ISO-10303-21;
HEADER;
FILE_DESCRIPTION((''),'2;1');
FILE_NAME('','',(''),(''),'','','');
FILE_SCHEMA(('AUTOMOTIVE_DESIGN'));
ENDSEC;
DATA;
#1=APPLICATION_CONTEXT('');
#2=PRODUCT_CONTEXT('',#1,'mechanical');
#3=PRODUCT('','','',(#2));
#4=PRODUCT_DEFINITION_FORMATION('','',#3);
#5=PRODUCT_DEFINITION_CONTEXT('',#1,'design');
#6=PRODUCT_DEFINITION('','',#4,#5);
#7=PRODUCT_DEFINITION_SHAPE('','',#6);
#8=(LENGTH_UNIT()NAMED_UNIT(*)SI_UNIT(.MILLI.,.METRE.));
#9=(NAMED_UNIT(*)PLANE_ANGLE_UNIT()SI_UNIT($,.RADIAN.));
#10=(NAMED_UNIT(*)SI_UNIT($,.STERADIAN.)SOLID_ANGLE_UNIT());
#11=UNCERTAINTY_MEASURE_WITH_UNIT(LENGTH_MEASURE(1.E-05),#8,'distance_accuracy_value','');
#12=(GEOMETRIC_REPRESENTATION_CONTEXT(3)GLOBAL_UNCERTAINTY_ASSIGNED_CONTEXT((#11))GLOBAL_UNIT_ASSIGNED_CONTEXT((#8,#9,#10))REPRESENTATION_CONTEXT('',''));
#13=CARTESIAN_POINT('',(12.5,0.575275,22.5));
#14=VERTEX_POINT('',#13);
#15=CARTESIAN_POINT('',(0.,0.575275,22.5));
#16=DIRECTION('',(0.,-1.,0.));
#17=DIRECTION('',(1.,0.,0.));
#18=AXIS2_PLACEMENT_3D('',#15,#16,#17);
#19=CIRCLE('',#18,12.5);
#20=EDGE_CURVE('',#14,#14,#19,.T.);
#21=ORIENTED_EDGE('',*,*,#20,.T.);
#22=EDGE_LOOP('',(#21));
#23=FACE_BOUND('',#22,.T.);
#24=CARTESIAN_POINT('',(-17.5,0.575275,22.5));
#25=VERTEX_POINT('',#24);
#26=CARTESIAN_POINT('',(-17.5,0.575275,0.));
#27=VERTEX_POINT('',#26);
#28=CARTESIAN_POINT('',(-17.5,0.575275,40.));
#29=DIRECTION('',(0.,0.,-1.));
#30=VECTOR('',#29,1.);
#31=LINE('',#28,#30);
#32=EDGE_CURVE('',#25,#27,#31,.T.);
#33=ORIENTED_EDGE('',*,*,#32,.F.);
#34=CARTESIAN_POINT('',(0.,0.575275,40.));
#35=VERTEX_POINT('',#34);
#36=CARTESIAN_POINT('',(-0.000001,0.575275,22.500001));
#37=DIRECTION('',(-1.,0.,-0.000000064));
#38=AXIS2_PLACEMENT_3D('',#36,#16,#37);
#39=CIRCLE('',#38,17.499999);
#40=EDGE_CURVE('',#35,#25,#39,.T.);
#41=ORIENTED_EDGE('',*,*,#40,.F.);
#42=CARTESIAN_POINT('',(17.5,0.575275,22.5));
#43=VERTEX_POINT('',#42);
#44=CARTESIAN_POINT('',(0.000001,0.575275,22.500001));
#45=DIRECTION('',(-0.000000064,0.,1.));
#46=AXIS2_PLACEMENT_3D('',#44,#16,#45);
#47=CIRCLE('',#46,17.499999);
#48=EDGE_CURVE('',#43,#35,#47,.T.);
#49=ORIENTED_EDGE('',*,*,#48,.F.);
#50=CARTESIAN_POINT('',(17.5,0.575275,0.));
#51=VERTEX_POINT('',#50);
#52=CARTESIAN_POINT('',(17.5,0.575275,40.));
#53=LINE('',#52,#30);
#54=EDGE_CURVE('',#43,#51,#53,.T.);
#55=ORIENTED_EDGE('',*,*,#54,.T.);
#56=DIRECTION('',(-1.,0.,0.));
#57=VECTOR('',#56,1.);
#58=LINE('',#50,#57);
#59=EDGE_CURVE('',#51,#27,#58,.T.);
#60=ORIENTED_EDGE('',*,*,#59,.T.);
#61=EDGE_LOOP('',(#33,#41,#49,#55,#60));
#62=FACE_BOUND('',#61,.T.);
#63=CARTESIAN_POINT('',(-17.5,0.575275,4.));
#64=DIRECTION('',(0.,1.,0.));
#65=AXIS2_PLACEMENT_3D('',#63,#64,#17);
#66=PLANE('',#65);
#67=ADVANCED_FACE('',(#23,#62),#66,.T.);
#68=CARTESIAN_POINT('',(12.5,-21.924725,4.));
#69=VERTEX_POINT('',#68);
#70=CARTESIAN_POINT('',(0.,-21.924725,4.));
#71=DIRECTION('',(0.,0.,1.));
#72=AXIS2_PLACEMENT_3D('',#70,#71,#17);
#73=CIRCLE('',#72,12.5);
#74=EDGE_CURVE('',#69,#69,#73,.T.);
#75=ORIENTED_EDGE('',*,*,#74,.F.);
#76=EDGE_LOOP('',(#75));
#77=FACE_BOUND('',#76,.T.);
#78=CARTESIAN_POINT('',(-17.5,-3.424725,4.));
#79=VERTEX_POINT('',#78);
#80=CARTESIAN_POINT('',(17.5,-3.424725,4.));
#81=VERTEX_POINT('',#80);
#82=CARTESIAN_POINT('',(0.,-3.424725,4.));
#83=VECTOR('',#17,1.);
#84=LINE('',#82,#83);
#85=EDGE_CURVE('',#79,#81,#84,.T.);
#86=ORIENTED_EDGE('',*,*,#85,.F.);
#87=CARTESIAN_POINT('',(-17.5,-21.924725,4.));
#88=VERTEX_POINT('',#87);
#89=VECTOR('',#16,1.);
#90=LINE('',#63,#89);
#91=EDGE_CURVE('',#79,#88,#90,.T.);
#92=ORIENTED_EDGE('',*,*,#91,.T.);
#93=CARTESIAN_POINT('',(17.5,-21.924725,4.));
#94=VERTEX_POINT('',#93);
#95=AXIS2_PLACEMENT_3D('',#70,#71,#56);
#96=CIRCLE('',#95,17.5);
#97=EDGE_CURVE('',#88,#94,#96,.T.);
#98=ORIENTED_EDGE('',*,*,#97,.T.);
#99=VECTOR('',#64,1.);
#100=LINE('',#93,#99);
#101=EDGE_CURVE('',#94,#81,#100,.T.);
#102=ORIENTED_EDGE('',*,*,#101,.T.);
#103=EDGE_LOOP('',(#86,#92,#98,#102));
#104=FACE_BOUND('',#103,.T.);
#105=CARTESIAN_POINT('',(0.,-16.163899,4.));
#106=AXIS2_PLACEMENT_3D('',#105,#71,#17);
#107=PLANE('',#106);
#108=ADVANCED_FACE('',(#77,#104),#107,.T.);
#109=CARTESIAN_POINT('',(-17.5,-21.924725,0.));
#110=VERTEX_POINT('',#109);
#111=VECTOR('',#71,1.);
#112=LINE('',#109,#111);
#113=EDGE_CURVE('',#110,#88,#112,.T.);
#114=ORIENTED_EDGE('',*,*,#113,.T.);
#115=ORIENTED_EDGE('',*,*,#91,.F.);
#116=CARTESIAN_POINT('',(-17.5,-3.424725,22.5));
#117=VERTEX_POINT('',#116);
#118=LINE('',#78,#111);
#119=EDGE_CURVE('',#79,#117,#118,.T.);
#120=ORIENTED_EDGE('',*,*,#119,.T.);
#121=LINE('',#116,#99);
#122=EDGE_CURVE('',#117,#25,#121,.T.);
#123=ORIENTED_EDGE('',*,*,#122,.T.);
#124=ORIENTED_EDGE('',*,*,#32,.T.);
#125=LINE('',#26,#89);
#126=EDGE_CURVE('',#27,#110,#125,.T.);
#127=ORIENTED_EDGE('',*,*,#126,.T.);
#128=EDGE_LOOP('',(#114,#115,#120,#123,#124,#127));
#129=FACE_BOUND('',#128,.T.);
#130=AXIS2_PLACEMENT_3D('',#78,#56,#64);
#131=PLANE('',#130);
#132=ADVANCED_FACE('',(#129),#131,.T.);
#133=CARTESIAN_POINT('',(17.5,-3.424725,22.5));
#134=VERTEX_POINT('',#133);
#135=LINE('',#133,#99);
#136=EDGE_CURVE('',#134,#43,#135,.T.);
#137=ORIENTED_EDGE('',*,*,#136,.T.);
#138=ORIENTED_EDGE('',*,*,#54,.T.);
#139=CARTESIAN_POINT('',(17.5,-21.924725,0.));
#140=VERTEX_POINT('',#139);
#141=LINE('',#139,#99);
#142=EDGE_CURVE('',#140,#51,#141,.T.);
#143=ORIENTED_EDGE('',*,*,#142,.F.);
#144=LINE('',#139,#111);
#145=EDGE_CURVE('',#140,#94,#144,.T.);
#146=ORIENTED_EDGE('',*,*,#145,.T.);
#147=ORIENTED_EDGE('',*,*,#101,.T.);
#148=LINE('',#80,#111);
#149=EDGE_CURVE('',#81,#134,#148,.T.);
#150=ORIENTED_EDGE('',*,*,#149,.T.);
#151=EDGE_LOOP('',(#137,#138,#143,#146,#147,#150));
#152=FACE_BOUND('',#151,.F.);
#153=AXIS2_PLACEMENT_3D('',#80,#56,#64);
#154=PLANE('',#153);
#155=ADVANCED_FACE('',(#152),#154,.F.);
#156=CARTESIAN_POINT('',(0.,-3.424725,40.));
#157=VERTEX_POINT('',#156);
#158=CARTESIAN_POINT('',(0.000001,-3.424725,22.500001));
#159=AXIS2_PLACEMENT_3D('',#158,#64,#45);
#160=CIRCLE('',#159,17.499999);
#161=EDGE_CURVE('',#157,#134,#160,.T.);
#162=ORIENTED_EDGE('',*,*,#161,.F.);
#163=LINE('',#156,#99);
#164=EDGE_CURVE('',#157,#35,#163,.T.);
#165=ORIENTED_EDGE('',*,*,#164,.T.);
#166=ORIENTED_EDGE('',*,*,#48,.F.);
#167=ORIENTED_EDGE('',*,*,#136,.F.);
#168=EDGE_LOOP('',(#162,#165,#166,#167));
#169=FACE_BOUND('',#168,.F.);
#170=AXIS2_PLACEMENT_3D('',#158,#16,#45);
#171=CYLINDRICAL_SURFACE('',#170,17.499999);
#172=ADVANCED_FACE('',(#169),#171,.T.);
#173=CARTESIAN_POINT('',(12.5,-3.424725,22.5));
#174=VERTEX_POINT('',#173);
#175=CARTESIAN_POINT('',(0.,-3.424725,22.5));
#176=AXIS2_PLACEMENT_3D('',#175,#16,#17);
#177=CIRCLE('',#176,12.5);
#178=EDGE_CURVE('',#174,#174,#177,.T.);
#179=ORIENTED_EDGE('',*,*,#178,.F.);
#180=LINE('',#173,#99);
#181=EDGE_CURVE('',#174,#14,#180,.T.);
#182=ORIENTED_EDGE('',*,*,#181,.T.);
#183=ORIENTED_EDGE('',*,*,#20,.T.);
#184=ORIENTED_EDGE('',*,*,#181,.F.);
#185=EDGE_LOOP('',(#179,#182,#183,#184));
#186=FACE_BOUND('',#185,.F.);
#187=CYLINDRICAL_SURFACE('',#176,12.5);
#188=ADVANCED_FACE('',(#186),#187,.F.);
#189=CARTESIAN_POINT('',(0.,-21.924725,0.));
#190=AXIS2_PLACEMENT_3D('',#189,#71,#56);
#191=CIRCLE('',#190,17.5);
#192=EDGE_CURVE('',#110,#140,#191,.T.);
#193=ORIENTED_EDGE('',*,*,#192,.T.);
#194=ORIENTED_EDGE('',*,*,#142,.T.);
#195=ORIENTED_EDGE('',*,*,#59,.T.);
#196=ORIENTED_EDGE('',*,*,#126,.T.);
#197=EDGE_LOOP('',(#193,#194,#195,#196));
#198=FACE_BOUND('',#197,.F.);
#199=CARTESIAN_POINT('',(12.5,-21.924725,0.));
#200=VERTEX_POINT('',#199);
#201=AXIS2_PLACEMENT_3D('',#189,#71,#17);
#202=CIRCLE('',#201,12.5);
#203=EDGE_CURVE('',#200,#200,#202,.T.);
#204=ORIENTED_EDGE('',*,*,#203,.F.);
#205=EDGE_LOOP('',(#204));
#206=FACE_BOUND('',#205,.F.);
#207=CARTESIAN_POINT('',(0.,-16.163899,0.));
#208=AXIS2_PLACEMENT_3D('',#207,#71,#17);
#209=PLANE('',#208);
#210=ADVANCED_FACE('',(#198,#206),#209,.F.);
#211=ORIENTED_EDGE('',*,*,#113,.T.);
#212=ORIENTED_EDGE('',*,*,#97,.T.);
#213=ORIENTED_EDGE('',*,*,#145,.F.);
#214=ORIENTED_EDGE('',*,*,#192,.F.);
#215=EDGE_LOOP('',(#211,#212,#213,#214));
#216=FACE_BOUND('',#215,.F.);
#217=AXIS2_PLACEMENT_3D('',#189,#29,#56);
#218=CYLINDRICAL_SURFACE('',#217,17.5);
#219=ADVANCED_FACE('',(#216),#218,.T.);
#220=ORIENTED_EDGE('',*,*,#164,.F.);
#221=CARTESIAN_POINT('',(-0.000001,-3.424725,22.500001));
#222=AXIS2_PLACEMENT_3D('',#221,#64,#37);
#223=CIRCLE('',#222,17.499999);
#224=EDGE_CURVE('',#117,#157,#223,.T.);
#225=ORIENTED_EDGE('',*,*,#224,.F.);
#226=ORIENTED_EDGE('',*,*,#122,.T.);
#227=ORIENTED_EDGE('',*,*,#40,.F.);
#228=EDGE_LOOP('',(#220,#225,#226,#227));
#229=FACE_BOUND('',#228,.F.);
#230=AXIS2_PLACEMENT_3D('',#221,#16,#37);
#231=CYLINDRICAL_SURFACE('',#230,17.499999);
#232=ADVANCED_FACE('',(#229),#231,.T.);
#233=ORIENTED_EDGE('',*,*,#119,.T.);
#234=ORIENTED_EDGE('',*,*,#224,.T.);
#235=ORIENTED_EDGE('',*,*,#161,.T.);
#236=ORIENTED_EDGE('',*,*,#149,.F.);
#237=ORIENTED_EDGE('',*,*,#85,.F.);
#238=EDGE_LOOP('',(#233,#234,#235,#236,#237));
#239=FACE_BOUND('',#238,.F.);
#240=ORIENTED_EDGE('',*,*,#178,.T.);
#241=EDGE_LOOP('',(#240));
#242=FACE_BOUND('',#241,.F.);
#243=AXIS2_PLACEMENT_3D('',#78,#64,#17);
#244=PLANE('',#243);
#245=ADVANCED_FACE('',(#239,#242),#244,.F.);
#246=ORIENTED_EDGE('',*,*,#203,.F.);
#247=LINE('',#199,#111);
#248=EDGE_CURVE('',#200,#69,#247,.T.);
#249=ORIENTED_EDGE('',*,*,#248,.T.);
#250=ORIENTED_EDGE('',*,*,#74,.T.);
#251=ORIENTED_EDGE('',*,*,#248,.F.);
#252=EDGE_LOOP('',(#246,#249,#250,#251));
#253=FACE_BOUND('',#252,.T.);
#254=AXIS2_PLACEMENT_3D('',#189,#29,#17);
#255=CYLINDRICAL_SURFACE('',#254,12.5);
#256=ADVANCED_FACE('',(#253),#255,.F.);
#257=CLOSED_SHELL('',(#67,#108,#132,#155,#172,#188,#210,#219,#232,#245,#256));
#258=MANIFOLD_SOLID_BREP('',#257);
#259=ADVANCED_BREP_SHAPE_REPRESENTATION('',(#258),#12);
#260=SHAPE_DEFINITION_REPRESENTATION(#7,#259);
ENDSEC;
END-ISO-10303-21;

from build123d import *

# Parameters (mm, degrees)
F0_R     = 12.5
F1_DEPTH = 4
F2_W     = 35
F2_H     = 4
F3_DEPTH = 36
F4_R     = 12.5
F5_DEPTH = 25


with BuildPart() as f1:
    # F0 (on Top) → F1 (new body)
    with BuildSketch(Plane.XY):
        with BuildLine():
            Line((17.5, 0.575275), (-17.5, 0.575275))
            Line((-17.5, 0.575275), (-17.5, -21.924725))
            ThreePointArc((-17.5, -21.924725), (0, -39.424725), (17.5, -21.924725))
            Line((17.5, -21.924725), (17.5, 0.575275))
        make_face()
        with Locations((0, -21.924725)):
            Circle(F0_R, mode=Mode.SUBTRACT)
    extrude(amount=F1_DEPTH)

    # F2 (on face) → F3 (join)
    with BuildSketch(Plane.XY.offset(4)):
        with Locations((0, -1.424725)):
            Rectangle(F2_W, F2_H)
    extrude(amount=F3_DEPTH)

    # F4 (on face) → F5 (cut)
    with BuildSketch(Plane.XZ.offset(3.424725)):
        with BuildLine():
            ThreePointArc((-17.5, 22.5), (-12.374369, 34.874369), (0, 40))
            Line((0, 40), (-17.5, 40))
            Line((-17.5, 40), (-17.5, 22.5))
        make_face()
        with BuildLine():
            ThreePointArc((0, 40), (12.374369, 34.874369), (17.5, 22.5))
            Line((17.5, 22.5), (17.5, 40))
            Line((17.5, 40), (0, 40))
        make_face()
        with Locations((0, 22.5)):
            Circle(F4_R)
    extrude(amount=-F5_DEPTH, mode=Mode.SUBTRACT)


solid = f1.part
